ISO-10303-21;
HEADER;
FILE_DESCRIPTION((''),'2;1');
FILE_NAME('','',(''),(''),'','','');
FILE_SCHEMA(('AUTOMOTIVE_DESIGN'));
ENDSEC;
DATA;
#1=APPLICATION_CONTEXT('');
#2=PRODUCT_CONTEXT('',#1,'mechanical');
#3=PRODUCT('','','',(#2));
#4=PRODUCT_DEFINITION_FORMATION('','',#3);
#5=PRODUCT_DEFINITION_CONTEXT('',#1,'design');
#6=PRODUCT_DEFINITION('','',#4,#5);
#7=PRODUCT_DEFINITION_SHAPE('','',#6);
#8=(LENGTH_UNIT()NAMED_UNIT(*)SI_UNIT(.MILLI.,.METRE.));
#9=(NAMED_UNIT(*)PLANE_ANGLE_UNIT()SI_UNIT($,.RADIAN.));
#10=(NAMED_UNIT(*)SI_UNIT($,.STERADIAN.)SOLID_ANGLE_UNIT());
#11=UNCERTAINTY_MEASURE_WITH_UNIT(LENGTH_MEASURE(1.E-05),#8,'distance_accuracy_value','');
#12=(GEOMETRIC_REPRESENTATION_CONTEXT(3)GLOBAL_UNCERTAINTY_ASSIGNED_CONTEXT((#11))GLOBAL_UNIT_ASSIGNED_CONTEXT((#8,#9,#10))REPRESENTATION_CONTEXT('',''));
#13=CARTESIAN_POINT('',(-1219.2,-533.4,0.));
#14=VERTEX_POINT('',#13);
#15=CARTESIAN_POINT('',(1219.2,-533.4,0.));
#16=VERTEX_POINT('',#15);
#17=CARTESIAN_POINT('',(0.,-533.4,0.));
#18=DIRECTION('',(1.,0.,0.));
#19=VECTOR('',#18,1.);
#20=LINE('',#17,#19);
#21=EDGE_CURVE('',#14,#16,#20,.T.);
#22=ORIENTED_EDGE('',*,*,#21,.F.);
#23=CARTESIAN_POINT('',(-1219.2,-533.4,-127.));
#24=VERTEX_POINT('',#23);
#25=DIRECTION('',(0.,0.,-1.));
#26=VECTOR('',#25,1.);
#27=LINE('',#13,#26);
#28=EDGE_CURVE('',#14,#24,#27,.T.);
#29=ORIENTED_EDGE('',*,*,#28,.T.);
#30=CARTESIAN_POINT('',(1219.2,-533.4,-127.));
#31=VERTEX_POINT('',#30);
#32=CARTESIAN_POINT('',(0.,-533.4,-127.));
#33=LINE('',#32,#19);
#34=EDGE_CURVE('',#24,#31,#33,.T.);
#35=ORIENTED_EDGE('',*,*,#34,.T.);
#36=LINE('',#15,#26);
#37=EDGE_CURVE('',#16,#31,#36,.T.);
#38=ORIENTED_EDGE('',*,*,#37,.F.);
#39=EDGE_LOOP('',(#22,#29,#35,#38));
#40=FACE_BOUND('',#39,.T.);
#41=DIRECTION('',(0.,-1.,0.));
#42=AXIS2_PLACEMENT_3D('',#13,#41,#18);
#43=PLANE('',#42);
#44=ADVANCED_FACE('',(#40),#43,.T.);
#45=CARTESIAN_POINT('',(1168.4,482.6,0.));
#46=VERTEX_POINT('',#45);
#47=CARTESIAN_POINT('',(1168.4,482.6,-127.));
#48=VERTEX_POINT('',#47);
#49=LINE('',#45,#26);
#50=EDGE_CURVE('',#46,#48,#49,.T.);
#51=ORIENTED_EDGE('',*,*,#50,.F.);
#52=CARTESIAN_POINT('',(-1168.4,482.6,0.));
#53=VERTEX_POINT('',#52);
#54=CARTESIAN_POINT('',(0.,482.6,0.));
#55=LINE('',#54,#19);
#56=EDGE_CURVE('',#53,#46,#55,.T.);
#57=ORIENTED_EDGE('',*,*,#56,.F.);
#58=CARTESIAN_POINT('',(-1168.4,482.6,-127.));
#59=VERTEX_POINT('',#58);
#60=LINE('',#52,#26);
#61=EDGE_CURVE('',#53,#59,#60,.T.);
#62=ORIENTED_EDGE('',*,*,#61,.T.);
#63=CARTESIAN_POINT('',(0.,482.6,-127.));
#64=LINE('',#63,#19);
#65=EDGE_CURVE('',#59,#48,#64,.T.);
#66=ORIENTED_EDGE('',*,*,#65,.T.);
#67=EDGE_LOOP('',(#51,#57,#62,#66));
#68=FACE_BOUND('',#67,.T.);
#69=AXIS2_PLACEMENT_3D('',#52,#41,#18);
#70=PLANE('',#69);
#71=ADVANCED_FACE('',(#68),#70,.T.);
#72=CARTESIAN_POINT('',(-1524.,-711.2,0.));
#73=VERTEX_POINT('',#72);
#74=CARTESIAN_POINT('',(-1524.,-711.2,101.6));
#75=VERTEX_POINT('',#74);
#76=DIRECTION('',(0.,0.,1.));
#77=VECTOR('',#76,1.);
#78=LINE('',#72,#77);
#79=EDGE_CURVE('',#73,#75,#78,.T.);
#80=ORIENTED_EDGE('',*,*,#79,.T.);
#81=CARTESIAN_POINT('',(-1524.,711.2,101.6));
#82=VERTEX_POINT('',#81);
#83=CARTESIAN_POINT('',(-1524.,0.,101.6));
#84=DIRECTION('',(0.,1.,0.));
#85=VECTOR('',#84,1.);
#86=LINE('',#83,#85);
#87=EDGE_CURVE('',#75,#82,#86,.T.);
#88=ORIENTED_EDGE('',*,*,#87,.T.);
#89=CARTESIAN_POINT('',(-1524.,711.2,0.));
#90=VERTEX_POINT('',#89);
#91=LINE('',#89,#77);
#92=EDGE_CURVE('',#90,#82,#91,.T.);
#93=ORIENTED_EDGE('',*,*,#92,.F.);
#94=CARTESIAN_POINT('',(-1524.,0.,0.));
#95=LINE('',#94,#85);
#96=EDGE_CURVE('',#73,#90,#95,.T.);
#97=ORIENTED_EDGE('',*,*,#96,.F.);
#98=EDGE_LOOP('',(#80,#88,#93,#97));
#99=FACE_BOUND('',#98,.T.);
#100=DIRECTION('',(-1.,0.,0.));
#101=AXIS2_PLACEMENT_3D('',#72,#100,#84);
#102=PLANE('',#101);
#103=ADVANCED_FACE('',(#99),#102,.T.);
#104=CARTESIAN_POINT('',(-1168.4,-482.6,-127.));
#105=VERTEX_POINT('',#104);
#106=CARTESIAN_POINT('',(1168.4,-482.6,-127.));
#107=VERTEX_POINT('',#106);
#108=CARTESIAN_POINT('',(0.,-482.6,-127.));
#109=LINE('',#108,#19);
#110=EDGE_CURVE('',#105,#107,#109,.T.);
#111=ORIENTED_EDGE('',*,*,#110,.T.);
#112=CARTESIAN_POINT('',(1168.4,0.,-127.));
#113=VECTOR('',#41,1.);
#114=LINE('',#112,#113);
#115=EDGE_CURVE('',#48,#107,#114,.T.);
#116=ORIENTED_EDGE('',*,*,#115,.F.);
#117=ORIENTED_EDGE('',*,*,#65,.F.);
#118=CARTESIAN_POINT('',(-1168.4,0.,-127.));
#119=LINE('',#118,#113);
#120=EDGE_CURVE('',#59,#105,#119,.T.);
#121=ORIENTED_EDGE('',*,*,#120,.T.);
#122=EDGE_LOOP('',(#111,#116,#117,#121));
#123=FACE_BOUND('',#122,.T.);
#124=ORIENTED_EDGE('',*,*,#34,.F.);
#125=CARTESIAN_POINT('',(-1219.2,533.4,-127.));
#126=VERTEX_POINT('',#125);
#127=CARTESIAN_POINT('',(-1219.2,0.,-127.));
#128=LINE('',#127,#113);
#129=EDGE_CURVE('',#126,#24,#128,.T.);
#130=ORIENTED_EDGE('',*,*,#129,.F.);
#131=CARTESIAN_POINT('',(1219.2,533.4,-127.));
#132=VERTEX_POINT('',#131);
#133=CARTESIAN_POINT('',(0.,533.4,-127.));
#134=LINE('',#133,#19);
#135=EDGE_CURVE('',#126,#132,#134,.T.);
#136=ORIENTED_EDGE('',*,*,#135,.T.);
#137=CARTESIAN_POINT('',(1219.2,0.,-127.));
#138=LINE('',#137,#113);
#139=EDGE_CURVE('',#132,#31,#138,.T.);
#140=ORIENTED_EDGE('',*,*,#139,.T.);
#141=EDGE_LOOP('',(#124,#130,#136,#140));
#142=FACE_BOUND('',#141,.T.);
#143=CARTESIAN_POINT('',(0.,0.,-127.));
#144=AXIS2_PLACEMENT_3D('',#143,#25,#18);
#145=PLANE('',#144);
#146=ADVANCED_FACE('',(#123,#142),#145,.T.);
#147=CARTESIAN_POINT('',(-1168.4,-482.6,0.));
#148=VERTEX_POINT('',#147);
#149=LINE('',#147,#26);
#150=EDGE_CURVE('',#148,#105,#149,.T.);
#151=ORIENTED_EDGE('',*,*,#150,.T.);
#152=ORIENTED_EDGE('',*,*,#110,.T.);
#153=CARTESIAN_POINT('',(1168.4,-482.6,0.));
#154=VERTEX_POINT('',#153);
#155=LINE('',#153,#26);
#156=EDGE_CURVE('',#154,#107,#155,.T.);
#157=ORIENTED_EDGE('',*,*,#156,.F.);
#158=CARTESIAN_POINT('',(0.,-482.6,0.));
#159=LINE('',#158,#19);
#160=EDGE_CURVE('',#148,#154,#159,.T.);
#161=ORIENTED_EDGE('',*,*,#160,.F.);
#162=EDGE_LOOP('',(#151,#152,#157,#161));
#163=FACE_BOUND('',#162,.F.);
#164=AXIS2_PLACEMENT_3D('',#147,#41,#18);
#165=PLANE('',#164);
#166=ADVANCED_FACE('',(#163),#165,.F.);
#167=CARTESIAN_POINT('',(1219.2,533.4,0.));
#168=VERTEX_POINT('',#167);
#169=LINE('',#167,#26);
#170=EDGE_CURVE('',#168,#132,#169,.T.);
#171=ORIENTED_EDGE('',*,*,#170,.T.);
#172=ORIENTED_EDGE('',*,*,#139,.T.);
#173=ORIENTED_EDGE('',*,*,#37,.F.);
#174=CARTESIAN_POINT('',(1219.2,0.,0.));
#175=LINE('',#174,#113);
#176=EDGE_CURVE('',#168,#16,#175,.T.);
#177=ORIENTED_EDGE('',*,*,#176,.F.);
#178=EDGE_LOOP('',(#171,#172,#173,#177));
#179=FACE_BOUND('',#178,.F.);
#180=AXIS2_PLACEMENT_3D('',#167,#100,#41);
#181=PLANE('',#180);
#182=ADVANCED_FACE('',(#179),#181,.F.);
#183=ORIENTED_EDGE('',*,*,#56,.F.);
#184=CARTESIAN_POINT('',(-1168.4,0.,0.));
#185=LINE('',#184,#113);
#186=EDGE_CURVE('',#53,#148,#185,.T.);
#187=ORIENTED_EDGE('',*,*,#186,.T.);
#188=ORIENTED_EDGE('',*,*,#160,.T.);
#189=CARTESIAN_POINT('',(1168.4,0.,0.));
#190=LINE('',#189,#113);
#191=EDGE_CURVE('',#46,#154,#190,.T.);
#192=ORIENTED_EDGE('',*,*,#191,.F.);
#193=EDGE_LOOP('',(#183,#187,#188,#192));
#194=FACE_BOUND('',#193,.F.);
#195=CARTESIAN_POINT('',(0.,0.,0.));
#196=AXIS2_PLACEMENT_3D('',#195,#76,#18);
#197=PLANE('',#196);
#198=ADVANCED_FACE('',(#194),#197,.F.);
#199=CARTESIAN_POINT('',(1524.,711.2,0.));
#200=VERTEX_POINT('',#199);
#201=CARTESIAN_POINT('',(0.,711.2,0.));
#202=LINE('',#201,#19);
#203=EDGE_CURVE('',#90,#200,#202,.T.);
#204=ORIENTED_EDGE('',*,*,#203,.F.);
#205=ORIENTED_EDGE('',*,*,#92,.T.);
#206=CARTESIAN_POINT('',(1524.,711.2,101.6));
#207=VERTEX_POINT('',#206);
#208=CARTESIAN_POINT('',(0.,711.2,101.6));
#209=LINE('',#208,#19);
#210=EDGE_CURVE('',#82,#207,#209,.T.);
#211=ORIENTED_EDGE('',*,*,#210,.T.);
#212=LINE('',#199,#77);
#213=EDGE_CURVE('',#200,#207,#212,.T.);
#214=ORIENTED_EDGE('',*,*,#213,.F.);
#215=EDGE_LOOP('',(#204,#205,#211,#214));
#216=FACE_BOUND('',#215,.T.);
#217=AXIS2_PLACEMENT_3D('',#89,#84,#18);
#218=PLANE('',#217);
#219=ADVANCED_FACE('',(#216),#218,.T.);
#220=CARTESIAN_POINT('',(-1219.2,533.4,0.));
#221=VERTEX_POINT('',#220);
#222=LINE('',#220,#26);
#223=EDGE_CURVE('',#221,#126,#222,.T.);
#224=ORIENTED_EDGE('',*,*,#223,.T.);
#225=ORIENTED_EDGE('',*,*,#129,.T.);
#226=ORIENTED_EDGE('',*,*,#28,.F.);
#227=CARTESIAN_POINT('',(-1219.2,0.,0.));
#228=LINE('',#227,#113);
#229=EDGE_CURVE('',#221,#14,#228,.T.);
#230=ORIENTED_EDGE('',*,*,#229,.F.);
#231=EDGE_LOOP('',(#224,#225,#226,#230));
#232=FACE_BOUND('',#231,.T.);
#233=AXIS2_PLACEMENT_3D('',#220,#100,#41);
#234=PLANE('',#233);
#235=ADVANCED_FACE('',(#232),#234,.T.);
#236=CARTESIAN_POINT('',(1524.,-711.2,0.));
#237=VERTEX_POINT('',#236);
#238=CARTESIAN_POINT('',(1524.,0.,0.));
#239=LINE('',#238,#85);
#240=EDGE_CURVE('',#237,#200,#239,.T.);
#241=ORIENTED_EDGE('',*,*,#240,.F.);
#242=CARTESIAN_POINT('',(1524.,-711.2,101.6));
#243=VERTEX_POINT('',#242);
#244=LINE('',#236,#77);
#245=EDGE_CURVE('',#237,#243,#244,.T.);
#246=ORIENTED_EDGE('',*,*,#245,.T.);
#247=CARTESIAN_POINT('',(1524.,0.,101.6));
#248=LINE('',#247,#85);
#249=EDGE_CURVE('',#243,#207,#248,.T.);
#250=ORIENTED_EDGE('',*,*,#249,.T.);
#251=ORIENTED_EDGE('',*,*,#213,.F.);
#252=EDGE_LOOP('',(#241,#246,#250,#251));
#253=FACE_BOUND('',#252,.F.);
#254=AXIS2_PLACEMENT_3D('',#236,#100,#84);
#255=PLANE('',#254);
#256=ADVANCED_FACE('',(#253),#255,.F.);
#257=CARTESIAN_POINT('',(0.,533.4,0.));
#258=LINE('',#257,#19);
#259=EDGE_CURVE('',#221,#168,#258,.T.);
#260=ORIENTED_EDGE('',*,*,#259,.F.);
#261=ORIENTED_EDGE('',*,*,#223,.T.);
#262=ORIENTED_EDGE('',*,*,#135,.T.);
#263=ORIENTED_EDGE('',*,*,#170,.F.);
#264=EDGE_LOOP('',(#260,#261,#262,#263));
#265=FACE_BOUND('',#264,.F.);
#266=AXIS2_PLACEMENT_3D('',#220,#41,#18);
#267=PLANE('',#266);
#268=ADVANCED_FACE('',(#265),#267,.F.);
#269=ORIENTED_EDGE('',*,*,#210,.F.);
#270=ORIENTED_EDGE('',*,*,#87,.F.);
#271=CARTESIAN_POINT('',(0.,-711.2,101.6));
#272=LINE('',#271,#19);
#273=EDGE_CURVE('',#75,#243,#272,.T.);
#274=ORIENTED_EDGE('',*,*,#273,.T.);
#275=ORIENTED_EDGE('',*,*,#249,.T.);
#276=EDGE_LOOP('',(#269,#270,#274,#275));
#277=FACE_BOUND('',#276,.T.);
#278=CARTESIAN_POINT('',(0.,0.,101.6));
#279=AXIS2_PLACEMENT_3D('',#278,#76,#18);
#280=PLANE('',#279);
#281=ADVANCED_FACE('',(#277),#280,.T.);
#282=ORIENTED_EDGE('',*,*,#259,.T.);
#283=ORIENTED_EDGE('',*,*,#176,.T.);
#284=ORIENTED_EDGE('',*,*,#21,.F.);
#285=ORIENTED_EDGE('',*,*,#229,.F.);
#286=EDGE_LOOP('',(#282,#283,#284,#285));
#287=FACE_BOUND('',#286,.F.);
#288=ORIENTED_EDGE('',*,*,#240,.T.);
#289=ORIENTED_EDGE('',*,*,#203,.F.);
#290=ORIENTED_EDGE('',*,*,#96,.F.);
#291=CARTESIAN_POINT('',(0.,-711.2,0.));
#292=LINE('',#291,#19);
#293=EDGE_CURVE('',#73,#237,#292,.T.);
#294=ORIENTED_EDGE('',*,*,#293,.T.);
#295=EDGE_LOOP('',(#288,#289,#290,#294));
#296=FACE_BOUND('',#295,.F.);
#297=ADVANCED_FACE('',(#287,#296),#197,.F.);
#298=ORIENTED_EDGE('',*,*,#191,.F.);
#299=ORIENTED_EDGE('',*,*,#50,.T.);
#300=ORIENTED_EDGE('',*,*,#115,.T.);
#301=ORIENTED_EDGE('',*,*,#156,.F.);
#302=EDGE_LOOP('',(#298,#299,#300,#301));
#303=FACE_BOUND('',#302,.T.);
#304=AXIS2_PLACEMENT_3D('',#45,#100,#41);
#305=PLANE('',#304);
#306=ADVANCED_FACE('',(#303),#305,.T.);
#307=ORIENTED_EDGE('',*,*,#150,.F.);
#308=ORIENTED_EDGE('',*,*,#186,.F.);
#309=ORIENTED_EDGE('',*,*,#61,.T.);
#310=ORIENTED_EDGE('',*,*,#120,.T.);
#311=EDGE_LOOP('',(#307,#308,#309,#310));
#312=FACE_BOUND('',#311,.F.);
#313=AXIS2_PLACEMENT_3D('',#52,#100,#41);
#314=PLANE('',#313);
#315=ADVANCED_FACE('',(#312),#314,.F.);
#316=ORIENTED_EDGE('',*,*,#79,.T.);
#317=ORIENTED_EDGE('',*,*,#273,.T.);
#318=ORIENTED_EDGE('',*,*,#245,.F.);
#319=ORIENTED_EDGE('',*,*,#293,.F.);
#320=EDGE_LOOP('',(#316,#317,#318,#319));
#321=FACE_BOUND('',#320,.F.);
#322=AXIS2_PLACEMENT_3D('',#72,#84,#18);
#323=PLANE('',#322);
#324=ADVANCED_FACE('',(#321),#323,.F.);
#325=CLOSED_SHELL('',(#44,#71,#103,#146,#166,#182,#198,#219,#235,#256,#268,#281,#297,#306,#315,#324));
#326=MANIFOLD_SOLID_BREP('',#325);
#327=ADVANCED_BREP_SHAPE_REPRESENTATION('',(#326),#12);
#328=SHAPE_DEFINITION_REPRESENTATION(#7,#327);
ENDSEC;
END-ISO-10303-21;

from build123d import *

# Parameters (mm, degrees)
F0_W     = 3048
F0_H     = 1422.4
F1_DEPTH = 101.6
F2_W     = 2438.4
F2_H     = 1066.8
F2_W_2   = 2336.8
F2_H_2   = 965.2
F3_DEPTH = 127


with BuildPart() as f1:
    # F0 (on Top) → F1 (new body)
    with BuildSketch(Plane.XY):
        Rectangle(F0_W, F0_H)
    extrude(amount=F1_DEPTH)

    # F2 (on face) → F3 (join)
    with BuildSketch(Plane(origin=(0, 0, 0), x_dir=(1, 0, 0), z_dir=(0, 0, -1))):
        Rectangle(F2_W, F2_H)
        Rectangle(F2_W_2, F2_H_2, mode=Mode.SUBTRACT)
    extrude(amount=F3_DEPTH)


solid = f1.part
